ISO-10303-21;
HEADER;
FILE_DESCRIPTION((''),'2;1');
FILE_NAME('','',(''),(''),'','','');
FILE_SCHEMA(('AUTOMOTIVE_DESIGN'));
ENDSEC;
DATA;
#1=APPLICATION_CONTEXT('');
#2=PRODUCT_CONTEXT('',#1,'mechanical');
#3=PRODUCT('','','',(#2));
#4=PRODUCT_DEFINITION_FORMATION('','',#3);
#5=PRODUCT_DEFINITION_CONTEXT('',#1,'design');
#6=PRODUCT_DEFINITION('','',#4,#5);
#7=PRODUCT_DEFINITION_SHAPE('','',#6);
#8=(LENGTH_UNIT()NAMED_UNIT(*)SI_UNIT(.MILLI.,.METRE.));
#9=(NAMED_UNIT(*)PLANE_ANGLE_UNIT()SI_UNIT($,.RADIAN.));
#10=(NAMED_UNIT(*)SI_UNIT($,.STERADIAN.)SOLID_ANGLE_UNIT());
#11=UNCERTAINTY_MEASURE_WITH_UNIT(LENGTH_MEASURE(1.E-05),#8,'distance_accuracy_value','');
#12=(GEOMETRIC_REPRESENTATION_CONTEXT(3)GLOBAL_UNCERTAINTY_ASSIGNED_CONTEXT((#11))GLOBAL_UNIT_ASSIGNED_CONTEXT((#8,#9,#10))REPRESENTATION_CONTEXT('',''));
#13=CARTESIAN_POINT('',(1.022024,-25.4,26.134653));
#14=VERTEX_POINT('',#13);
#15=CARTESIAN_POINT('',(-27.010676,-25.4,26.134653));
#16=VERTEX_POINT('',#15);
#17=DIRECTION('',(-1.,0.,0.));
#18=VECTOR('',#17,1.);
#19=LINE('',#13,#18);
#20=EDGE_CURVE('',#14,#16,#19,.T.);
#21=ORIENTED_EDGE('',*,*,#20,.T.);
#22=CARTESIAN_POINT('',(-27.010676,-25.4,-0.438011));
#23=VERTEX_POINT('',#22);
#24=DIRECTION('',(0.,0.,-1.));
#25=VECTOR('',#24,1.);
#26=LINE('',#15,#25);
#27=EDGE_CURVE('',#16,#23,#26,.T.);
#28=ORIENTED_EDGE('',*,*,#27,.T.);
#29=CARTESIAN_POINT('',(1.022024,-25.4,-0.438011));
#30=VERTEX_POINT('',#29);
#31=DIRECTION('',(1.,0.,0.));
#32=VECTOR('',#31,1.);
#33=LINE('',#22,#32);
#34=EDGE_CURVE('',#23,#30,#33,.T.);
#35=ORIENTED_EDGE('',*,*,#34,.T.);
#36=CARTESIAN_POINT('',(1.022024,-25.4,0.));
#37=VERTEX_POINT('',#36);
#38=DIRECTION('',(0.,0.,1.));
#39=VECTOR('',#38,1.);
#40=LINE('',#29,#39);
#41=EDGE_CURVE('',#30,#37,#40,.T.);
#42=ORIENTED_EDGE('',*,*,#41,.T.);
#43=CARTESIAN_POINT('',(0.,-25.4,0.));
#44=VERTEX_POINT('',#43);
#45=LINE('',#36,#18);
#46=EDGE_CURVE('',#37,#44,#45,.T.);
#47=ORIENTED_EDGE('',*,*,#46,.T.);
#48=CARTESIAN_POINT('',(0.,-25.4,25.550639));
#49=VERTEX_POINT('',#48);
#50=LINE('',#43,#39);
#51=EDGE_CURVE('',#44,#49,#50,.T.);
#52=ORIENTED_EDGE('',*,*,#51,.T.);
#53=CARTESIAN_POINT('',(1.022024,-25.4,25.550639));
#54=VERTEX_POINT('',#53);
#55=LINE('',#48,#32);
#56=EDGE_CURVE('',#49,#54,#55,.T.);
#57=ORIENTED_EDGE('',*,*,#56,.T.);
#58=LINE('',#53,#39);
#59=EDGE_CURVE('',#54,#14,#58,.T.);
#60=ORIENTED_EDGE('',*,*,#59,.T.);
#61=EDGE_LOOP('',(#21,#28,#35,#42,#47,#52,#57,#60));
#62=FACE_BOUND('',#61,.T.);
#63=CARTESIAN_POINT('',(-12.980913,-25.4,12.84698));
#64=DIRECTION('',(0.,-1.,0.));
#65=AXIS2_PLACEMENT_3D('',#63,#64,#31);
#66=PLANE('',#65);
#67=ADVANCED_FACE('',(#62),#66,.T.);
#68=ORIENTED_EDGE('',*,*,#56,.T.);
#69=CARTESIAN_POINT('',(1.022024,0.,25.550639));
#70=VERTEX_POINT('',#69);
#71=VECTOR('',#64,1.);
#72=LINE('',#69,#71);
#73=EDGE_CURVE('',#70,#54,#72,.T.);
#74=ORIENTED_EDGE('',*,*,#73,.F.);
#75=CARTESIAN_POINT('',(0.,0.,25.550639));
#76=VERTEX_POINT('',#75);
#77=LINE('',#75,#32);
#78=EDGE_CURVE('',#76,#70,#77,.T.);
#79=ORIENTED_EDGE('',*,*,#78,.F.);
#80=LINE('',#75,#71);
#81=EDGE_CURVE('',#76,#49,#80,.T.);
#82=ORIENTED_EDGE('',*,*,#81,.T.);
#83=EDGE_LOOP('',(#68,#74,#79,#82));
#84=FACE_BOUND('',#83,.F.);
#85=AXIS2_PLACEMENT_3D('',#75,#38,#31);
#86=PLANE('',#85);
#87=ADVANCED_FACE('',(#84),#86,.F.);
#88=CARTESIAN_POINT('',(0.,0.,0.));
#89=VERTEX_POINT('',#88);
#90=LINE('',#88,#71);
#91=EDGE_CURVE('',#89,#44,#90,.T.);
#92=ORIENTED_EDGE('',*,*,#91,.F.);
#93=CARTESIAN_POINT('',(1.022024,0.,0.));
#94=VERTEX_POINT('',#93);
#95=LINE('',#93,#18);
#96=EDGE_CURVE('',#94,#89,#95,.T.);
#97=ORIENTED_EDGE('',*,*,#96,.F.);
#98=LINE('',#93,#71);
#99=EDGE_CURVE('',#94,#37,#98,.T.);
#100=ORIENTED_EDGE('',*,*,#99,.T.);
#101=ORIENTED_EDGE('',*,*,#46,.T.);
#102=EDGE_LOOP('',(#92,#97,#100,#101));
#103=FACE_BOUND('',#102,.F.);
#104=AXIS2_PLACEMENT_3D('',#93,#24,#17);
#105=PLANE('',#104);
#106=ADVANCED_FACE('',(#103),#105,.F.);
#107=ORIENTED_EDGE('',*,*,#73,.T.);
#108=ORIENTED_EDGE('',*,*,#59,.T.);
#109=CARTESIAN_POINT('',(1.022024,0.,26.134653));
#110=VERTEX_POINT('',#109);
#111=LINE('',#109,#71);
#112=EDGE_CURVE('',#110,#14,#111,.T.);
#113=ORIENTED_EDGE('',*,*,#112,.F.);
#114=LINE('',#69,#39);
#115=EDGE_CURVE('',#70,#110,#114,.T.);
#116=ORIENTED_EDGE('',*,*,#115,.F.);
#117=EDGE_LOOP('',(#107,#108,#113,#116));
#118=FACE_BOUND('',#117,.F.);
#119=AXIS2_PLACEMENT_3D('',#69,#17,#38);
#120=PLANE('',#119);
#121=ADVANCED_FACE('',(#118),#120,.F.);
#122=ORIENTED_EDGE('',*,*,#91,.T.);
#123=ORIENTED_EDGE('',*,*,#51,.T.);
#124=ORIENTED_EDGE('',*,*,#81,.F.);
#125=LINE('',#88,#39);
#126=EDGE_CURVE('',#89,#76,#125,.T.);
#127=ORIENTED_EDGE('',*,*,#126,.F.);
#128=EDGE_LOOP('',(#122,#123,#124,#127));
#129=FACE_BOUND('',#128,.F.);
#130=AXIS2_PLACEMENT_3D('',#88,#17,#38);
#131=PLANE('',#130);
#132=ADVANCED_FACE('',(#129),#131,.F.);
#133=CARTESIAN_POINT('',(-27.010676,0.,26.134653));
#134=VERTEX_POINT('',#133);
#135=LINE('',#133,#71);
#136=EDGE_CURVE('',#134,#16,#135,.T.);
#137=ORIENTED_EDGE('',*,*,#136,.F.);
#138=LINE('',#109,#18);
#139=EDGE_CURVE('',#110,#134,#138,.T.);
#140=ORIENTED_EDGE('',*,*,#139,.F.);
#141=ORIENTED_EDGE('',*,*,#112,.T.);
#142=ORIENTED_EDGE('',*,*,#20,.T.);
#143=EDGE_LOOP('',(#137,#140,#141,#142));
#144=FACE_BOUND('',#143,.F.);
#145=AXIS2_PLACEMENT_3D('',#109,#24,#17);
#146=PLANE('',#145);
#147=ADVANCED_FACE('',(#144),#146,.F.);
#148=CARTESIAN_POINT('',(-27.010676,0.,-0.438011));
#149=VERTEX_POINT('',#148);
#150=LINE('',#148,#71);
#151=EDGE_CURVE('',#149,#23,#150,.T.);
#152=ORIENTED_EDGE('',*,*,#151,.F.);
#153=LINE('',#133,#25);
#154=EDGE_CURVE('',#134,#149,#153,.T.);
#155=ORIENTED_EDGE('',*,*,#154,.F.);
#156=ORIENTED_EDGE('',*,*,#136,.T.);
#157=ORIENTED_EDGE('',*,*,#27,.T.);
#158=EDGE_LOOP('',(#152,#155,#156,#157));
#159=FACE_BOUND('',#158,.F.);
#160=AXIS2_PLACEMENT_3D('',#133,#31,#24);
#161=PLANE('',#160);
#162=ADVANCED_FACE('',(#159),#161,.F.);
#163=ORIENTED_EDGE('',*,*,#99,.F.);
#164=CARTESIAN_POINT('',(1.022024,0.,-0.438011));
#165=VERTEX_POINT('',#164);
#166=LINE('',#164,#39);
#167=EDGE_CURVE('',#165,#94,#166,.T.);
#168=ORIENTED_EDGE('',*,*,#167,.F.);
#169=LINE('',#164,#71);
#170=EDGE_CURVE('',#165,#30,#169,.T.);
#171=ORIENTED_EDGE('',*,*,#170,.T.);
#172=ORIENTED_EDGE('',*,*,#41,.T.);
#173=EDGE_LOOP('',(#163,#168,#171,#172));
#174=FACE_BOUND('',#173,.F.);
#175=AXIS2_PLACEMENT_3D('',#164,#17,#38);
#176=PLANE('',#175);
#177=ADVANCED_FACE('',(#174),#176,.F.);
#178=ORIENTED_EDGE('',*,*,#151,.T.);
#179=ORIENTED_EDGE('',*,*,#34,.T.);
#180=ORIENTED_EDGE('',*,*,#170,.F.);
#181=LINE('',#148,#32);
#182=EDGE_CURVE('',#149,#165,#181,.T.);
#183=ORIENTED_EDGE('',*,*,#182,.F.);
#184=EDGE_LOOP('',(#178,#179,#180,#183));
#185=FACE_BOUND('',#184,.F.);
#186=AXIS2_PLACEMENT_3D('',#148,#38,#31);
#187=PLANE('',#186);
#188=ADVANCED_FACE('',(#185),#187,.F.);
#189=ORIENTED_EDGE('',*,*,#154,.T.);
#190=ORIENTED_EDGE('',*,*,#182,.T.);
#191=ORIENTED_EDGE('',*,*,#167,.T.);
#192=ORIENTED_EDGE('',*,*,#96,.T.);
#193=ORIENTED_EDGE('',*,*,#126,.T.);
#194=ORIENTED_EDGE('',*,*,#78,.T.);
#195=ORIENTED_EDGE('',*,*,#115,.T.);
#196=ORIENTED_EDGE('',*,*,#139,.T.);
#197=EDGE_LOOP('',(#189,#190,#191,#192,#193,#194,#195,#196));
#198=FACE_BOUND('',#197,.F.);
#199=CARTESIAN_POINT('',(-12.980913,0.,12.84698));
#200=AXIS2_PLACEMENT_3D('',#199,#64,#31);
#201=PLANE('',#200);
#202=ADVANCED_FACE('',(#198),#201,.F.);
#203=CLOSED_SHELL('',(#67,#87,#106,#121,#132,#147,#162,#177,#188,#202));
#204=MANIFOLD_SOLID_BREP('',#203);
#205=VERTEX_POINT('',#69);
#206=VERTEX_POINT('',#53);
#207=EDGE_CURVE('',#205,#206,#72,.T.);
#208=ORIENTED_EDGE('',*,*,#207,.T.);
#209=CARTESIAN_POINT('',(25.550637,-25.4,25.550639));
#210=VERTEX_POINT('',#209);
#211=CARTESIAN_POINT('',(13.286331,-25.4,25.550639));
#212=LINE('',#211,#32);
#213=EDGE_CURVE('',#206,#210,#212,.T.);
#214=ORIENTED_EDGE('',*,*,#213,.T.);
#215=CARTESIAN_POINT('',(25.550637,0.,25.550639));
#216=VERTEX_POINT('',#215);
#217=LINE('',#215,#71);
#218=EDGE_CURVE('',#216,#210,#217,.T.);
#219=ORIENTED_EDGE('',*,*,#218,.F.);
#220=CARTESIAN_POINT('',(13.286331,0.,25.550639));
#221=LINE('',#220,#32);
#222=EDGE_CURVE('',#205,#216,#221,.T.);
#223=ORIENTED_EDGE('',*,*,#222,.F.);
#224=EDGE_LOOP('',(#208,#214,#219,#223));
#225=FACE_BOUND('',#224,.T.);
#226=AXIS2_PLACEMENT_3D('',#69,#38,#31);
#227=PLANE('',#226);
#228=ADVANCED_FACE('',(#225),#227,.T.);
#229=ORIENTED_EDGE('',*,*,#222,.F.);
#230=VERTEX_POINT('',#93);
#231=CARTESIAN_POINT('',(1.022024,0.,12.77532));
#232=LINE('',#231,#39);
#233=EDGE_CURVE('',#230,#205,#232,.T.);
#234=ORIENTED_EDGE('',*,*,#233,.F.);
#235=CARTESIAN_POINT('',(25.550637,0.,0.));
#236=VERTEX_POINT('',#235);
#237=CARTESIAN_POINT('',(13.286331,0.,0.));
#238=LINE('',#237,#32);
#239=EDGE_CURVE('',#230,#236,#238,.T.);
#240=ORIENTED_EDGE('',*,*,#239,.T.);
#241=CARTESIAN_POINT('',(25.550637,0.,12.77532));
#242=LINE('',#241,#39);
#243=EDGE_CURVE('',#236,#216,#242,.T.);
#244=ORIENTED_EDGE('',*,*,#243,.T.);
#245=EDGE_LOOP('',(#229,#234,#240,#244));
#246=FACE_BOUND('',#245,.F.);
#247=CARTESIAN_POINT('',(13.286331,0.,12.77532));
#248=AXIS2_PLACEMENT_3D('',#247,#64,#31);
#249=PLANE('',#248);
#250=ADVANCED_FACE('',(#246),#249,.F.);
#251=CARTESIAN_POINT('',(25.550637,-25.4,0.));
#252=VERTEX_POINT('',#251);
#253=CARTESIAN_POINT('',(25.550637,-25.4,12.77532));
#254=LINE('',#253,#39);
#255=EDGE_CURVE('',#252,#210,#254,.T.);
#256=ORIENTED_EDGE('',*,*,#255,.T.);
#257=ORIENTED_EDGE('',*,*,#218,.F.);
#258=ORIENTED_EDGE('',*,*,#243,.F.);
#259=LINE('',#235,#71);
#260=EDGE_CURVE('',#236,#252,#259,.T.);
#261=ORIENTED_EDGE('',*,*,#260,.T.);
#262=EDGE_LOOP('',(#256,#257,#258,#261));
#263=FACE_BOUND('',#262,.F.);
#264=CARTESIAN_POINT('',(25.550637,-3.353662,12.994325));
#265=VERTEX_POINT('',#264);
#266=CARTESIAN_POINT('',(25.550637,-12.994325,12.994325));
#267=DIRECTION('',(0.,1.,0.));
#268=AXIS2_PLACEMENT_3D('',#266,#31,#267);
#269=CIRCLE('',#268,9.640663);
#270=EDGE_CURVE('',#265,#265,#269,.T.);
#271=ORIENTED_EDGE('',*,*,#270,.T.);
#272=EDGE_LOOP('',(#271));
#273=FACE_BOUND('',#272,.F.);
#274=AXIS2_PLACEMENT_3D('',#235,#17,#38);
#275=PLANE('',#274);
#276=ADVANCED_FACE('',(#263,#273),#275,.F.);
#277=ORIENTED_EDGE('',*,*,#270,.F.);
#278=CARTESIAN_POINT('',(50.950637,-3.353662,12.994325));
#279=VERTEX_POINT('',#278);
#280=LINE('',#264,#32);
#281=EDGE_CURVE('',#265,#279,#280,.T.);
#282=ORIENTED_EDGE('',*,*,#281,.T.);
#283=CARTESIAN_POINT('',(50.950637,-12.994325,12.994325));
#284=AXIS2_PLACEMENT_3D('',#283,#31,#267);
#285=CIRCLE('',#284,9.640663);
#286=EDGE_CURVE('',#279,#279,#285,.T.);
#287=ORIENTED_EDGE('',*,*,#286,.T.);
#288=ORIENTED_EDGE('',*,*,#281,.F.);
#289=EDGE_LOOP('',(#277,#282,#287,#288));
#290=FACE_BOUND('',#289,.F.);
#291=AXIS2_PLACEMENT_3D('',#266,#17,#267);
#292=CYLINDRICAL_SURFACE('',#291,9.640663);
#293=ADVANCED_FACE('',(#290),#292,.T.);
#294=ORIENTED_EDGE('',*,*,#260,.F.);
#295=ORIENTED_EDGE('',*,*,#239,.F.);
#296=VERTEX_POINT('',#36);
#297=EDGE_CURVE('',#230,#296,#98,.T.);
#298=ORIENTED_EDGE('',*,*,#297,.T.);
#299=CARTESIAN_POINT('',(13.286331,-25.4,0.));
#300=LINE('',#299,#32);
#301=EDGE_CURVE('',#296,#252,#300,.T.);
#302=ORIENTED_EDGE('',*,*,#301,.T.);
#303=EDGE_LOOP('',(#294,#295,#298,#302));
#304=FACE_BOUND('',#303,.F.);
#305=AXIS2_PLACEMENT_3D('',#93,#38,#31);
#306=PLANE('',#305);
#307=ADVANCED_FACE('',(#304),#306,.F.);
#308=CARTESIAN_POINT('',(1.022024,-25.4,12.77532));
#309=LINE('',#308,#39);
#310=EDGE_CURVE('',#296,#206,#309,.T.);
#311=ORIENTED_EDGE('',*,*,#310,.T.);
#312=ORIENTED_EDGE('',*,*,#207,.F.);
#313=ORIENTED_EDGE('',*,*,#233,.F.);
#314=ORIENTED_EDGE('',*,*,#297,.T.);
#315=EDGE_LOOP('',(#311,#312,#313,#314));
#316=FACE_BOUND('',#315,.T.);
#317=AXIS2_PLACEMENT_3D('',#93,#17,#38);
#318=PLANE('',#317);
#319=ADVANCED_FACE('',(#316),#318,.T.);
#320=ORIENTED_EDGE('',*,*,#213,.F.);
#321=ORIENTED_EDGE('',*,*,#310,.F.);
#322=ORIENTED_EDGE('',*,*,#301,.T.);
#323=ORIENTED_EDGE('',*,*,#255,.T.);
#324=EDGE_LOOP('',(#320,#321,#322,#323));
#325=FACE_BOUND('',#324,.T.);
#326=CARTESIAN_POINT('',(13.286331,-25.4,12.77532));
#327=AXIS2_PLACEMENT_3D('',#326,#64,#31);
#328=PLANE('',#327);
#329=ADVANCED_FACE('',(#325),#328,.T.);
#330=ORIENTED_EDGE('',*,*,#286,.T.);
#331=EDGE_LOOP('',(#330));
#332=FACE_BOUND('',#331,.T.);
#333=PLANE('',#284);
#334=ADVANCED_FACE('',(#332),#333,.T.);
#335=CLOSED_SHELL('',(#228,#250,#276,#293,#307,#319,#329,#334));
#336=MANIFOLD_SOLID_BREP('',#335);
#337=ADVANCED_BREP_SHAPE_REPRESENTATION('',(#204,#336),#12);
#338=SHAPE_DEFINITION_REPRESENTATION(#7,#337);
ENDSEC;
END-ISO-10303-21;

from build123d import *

# Parameters (mm, degrees)
F1_DEPTH = 25.4
F0_W     = 24.5286130812
F0_H     = 25.5506392568
F2_R     = 9.6406629259
F3_DEPTH = 25.4


with BuildPart() as f1:
    # F0 (on Front) → F1 (new body)
    with BuildSketch(Plane.XZ):
        Polygon((1.022024313, 0), (0, 0), (0, 25.5506392568), (1.022024313, 25.5506392568), (1.022024313, 26.1346530169), (-27.0106755197, 26.1346530169), (-27.0106755197, -0.4380109312), (1.022024313, -0.4380109312), align=None)
    extrude(amount=F1_DEPTH)


with BuildPart() as f1b:
    # F0 (on Front) → F1, piece 2 (new body)
    with BuildSketch(Plane.XZ):
        with Locations((13.2863308536, 12.7753196284)):
            Rectangle(F0_W, F0_H)
    extrude(amount=F1_DEPTH)

    # F2 (on face) → F3 (join)
    with BuildSketch(Plane.YZ.offset(25.5506373942)):
        with Locations((-12.9943247885, 12.9943247885)):
            Circle(F2_R)
    extrude(amount=F3_DEPTH)


solid = Compound([f1.part, f1b.part])
